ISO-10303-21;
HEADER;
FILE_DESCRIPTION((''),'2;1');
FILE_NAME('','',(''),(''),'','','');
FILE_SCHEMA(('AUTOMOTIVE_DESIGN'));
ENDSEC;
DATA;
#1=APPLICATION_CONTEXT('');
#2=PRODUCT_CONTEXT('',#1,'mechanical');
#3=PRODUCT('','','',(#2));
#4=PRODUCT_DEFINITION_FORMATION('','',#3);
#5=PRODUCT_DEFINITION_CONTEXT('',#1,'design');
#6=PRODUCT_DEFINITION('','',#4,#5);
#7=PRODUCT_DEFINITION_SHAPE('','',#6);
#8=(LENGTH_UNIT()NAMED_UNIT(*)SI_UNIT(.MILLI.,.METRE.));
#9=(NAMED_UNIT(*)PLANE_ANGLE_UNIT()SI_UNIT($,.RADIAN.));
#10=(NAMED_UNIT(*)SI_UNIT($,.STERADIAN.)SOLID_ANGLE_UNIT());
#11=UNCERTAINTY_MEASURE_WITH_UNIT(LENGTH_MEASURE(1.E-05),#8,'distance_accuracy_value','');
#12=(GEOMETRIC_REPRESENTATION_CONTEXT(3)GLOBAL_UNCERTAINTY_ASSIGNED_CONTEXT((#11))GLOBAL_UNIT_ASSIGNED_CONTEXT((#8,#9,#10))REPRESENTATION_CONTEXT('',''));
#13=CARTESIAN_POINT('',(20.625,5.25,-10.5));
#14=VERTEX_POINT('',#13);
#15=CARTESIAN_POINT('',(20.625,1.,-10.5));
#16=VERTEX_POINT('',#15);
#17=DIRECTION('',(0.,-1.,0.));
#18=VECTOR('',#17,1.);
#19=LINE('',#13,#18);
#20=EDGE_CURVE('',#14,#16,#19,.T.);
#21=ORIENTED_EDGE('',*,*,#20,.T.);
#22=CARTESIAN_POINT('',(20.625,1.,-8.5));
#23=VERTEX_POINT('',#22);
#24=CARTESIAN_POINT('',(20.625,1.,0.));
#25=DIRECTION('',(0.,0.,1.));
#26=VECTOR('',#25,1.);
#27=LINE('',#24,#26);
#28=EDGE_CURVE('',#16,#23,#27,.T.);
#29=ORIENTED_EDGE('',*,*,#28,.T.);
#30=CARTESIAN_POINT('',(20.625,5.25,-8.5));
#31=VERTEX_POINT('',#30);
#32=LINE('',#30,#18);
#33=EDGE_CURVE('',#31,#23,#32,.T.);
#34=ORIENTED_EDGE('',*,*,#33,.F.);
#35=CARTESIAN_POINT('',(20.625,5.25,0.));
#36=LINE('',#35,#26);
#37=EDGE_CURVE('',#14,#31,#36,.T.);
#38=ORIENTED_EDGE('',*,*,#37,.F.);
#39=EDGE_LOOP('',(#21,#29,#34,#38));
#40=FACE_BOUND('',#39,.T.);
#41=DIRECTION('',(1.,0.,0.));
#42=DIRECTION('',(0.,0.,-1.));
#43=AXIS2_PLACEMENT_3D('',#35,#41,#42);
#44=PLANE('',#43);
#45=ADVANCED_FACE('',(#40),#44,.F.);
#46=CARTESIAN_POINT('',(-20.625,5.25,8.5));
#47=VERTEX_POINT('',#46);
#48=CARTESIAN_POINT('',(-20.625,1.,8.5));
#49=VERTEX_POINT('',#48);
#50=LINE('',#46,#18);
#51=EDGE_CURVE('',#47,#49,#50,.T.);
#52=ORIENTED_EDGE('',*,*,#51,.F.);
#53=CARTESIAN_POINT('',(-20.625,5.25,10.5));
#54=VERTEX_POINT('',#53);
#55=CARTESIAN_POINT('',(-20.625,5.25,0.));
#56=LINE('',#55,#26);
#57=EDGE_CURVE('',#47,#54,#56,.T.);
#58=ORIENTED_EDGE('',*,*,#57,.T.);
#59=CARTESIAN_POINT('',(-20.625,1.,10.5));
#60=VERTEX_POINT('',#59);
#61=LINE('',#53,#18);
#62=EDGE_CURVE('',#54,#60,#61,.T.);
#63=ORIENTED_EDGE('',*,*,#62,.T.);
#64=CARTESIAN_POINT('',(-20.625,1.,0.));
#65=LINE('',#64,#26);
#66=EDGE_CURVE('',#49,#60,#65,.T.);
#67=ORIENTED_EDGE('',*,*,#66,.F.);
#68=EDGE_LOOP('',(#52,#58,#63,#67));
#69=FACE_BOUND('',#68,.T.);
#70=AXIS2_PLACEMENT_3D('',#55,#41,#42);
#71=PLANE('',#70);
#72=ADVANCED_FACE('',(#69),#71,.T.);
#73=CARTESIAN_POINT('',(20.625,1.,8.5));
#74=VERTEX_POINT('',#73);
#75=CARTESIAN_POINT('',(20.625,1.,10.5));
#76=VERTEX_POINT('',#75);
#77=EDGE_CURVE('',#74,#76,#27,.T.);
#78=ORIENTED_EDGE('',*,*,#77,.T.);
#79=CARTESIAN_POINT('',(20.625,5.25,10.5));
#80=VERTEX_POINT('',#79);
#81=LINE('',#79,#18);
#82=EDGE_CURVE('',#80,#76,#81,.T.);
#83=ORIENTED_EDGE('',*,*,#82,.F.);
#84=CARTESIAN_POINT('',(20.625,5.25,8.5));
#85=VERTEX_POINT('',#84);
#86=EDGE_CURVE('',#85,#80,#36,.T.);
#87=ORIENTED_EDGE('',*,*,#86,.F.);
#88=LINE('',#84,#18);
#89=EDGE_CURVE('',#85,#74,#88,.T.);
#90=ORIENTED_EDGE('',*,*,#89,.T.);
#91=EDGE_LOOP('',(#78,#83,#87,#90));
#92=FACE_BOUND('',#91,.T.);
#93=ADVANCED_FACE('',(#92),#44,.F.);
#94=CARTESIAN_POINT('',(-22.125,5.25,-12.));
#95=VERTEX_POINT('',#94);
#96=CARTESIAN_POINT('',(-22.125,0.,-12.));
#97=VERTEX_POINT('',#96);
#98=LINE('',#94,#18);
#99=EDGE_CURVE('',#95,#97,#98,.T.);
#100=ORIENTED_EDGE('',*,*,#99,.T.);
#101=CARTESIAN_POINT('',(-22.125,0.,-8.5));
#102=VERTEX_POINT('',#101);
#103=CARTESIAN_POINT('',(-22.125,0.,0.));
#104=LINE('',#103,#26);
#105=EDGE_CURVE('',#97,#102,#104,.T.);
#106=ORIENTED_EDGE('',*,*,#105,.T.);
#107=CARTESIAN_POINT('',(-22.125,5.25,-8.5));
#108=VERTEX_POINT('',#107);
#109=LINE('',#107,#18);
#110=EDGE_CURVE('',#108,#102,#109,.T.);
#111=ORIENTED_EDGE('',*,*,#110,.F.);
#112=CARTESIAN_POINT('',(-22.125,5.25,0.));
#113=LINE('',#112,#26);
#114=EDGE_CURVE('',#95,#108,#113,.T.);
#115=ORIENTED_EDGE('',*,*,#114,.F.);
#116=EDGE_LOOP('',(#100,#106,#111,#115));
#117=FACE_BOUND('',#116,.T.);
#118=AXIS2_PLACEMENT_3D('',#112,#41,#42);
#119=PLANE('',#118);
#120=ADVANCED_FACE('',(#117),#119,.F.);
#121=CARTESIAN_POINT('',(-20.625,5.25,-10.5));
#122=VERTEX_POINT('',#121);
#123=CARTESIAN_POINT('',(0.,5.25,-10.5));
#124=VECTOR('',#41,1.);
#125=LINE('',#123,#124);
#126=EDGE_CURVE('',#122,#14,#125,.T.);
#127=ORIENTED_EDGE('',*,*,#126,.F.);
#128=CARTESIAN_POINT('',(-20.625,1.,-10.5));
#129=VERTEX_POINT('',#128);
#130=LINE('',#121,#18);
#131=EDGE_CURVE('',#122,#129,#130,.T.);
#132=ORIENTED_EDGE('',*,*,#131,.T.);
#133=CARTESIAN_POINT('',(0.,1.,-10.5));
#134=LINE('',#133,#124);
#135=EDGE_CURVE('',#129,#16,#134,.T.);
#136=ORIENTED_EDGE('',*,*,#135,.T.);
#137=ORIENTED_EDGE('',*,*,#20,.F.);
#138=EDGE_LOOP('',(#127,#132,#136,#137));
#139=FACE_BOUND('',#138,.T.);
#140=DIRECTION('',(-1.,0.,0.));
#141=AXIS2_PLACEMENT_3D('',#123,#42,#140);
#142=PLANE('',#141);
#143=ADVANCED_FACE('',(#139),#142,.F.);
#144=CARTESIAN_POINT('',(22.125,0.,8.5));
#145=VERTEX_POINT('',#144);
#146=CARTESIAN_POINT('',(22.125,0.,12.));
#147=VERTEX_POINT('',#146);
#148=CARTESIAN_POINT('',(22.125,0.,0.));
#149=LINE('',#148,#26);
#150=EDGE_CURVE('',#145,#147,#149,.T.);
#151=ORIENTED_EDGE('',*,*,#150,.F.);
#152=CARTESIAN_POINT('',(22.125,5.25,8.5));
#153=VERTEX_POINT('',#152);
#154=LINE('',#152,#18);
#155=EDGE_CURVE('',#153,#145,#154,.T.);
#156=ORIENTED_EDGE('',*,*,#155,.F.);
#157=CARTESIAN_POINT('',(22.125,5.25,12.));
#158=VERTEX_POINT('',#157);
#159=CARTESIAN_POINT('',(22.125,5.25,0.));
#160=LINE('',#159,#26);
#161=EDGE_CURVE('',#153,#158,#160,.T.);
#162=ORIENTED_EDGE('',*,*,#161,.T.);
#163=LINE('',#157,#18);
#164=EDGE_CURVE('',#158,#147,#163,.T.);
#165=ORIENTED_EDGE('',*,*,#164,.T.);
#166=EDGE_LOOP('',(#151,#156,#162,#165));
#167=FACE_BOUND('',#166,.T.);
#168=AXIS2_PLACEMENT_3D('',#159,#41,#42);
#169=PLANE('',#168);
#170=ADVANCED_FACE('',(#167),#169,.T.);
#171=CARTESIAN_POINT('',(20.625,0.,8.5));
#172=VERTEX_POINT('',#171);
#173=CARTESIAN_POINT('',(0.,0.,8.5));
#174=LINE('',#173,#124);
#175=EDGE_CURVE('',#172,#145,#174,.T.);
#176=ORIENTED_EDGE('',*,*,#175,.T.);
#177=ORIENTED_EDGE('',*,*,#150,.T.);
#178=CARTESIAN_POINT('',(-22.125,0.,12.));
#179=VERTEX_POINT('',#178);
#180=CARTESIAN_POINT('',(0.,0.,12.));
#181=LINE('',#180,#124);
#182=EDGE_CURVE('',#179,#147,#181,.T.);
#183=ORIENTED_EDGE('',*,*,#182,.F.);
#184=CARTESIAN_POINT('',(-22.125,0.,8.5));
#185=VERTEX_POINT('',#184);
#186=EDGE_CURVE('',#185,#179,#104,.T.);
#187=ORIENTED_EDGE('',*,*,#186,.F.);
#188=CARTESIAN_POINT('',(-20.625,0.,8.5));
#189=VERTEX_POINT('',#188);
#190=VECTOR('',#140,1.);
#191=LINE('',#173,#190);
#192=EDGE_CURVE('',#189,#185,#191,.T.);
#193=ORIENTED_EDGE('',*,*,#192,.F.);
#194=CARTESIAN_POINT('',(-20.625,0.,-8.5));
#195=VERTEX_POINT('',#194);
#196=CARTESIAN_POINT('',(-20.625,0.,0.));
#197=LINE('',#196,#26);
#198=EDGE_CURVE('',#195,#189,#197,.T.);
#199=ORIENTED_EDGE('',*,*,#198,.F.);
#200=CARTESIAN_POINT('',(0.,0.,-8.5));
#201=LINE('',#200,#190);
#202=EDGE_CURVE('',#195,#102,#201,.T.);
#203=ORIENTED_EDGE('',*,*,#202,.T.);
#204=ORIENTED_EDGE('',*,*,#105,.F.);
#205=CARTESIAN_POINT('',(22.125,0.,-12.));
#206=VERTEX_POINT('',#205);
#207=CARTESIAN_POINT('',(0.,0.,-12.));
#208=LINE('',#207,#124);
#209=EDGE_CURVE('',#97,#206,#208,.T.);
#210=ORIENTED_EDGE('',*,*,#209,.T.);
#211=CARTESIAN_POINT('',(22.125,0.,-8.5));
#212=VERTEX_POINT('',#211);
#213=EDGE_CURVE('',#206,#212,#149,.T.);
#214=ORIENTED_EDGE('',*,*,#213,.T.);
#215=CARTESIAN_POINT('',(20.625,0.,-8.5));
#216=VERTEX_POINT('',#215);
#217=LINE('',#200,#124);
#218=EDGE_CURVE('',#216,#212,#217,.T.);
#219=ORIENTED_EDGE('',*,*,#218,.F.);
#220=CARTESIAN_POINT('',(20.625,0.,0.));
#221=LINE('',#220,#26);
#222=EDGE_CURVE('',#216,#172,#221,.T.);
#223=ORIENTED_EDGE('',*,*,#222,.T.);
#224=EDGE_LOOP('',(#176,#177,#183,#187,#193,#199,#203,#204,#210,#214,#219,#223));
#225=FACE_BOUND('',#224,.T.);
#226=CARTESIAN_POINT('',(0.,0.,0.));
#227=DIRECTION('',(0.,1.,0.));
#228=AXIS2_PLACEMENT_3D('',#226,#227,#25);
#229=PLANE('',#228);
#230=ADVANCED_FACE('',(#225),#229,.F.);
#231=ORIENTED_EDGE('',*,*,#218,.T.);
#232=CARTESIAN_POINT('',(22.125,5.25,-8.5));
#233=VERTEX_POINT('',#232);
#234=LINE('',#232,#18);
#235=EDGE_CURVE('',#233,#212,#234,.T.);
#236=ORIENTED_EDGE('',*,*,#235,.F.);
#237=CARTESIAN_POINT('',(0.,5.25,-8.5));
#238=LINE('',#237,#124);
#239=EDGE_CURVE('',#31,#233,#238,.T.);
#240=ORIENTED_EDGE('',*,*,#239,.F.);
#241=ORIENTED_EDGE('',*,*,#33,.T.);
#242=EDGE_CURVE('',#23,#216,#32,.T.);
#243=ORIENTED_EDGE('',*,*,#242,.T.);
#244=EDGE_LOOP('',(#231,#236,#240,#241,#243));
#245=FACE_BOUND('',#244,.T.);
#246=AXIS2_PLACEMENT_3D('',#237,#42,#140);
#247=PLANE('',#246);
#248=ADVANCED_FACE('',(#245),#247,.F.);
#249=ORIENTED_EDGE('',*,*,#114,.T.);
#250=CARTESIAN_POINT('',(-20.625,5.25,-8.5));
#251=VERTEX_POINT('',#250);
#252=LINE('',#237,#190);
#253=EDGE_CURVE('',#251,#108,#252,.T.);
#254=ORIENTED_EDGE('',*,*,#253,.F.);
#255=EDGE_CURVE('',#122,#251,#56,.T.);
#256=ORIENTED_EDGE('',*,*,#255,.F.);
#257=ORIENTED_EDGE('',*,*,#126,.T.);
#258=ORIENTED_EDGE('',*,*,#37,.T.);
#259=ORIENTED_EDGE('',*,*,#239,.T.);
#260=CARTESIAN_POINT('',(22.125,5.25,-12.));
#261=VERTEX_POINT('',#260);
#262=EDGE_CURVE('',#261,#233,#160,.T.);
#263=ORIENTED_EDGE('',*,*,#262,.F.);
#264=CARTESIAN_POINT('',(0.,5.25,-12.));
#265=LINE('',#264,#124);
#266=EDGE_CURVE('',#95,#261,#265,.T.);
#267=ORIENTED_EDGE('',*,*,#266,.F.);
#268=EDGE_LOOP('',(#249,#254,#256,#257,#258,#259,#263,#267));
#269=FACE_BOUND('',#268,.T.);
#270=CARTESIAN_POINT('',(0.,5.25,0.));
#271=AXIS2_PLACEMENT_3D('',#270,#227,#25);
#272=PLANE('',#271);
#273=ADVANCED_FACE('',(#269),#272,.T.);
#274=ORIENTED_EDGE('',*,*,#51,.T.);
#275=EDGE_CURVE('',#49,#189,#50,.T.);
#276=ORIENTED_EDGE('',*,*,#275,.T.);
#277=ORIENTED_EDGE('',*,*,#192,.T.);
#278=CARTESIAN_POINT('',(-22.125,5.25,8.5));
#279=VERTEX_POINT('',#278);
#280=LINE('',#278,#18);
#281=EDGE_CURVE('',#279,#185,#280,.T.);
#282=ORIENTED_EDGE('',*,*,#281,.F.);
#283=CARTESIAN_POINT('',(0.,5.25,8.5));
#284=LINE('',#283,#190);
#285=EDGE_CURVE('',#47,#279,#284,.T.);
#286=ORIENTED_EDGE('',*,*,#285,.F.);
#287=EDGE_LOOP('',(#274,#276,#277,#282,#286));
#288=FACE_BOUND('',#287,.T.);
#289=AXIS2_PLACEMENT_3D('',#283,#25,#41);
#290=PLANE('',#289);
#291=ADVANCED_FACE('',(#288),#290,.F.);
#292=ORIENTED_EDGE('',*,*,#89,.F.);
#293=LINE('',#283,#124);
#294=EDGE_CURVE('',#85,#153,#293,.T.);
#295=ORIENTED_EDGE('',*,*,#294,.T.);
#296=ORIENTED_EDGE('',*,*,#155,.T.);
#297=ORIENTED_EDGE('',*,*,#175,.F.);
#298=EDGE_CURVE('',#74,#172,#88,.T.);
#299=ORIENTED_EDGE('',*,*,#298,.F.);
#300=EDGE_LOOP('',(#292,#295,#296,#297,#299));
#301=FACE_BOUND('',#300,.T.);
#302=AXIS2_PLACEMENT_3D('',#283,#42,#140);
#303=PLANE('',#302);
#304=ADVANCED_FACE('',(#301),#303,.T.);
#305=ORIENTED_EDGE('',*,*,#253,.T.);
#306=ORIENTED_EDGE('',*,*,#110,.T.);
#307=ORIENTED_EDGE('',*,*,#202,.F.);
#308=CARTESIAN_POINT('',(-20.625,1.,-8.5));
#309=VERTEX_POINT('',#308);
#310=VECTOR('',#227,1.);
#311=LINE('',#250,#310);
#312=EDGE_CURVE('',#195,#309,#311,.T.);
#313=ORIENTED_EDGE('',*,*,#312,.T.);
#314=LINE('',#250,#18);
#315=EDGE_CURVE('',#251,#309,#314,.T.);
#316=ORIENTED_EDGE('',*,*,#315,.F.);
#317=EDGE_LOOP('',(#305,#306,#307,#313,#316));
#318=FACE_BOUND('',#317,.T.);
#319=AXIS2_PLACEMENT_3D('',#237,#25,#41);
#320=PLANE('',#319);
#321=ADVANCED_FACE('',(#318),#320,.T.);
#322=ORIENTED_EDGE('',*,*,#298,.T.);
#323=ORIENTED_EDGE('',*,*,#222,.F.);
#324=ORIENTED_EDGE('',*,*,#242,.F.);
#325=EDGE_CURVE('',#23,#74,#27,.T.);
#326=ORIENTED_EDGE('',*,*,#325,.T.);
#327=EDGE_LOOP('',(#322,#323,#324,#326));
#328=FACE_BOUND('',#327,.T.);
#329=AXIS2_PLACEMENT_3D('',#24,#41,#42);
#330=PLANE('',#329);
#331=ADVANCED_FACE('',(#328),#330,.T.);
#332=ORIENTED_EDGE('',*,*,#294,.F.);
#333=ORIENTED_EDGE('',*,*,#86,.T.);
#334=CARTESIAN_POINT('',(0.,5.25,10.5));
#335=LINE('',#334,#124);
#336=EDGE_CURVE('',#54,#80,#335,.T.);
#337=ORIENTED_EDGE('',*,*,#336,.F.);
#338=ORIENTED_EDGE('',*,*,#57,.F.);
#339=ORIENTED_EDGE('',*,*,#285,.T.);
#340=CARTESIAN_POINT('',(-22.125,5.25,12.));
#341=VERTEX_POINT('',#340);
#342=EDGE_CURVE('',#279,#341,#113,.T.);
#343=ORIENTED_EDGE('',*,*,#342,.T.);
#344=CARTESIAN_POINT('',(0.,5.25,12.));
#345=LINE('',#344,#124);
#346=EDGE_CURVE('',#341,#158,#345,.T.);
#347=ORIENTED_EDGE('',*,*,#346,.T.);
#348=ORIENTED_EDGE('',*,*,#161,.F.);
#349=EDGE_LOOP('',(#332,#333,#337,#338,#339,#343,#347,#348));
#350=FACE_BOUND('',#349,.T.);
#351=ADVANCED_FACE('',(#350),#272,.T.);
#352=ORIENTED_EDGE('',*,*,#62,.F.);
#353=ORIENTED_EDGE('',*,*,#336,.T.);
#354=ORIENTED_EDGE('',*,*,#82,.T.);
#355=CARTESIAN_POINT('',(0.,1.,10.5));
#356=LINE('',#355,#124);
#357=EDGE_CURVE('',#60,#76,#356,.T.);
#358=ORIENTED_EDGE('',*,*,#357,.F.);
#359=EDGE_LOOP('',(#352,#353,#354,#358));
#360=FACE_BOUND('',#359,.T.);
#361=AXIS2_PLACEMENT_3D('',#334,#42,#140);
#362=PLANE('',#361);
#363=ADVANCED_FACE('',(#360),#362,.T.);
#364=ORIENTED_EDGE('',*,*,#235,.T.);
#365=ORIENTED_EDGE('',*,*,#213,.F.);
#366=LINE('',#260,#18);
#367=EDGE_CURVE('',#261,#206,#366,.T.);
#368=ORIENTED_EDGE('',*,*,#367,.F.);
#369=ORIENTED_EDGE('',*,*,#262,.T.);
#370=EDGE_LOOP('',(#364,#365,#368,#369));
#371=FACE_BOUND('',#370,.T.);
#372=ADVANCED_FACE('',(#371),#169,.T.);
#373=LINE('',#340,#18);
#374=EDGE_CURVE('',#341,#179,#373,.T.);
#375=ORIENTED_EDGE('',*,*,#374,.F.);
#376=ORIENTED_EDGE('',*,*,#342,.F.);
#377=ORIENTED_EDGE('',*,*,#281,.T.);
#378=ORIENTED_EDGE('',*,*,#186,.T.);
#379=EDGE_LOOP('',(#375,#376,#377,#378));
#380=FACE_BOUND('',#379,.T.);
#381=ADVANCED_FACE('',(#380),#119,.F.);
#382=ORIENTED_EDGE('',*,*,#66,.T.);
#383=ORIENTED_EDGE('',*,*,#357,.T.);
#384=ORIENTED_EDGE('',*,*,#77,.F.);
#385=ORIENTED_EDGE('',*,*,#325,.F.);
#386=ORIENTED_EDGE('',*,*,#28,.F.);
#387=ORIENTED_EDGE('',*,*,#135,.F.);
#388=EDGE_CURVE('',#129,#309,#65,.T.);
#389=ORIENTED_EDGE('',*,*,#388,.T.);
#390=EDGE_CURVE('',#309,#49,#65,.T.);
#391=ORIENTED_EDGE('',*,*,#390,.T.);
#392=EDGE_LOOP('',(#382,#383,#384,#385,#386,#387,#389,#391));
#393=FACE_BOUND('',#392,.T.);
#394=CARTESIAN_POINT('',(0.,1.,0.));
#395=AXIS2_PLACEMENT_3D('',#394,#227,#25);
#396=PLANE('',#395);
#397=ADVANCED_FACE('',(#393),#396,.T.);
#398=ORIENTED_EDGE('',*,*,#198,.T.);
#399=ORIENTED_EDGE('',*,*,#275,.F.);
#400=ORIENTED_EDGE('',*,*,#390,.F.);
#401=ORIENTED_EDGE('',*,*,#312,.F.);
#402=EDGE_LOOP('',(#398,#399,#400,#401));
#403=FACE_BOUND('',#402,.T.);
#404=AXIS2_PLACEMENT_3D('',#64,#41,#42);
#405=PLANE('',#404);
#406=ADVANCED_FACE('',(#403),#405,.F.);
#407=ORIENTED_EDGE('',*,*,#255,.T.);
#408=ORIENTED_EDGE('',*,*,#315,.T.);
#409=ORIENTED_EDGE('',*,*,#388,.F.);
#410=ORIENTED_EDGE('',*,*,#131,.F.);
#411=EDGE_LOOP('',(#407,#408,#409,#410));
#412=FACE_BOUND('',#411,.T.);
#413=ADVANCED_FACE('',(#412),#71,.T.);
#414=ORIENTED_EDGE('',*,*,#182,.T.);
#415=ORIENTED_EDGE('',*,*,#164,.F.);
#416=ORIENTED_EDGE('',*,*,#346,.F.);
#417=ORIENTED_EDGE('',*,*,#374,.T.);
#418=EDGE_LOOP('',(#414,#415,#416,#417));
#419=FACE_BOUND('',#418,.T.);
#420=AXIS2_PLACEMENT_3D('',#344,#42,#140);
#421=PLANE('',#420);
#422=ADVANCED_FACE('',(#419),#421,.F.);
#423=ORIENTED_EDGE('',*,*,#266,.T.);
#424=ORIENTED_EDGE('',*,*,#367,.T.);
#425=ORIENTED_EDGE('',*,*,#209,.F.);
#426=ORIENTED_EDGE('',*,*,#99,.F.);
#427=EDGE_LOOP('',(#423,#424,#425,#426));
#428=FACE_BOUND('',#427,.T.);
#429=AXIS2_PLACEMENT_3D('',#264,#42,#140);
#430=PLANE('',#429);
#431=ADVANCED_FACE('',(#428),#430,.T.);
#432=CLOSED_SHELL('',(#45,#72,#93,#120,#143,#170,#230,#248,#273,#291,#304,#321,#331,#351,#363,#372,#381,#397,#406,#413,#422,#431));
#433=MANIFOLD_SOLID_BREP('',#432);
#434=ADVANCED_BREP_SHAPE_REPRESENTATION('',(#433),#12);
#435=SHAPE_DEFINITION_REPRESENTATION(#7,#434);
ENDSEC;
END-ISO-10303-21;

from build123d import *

# Parameters (mm, degrees)
BOSS_EXTRUDE1_DEPTH   = 5.25
BOSS_EXTRUDE1_2_DEPTH = 5.25
SKETCH1_2_W           = 41.25
SKETCH1_2_H           = 21
BOSS_EXTRUDE2_DEPTH   = 1


with BuildPart() as part:
    # Sketch1 → Boss-Extrude1 (new body)
    with BuildSketch(Plane(origin=(0, 0, 0), x_dir=(1, 0, 0), z_dir=(0, 1, 0))):
        Polygon((-22.125, 12), (-22.125, 8.5), (-20.625, 8.5), (-20.625, 10.5), (20.625, 10.5), (20.625, 8.5), (22.125, 8.5), (22.125, 12), align=None)
    extrude(amount=BOSS_EXTRUDE1_DEPTH)



with BuildPart() as body_2:
    # Sketch1 → Boss-Extrude1 2 (new body)
    with BuildSketch(Plane(origin=(0, 0, 0), x_dir=(1, 0, 0), z_dir=(0, 1, 0))):
        Polygon((-20.625, -8.5), (-22.125, -8.5), (-22.125, -12), (22.125, -12), (22.125, -8.5), (20.625, -8.5), (20.625, -10.5), (-20.625, -10.5), align=None)
    extrude(amount=BOSS_EXTRUDE1_2_DEPTH)


with BuildPart() as part_1:
    add(part.part)

    add(body_2.part)  # Boss-Extrude2 merges body 2
    # Sketch1<2> → Boss-Extrude2 (add)
    with BuildSketch(Plane(origin=(0, 0, 0), x_dir=(1, 0, 0), z_dir=(0, 1, 0))):
        Rectangle(SKETCH1_2_W, SKETCH1_2_H)
    extrude(amount=BOSS_EXTRUDE2_DEPTH)


solid = part_1.part
